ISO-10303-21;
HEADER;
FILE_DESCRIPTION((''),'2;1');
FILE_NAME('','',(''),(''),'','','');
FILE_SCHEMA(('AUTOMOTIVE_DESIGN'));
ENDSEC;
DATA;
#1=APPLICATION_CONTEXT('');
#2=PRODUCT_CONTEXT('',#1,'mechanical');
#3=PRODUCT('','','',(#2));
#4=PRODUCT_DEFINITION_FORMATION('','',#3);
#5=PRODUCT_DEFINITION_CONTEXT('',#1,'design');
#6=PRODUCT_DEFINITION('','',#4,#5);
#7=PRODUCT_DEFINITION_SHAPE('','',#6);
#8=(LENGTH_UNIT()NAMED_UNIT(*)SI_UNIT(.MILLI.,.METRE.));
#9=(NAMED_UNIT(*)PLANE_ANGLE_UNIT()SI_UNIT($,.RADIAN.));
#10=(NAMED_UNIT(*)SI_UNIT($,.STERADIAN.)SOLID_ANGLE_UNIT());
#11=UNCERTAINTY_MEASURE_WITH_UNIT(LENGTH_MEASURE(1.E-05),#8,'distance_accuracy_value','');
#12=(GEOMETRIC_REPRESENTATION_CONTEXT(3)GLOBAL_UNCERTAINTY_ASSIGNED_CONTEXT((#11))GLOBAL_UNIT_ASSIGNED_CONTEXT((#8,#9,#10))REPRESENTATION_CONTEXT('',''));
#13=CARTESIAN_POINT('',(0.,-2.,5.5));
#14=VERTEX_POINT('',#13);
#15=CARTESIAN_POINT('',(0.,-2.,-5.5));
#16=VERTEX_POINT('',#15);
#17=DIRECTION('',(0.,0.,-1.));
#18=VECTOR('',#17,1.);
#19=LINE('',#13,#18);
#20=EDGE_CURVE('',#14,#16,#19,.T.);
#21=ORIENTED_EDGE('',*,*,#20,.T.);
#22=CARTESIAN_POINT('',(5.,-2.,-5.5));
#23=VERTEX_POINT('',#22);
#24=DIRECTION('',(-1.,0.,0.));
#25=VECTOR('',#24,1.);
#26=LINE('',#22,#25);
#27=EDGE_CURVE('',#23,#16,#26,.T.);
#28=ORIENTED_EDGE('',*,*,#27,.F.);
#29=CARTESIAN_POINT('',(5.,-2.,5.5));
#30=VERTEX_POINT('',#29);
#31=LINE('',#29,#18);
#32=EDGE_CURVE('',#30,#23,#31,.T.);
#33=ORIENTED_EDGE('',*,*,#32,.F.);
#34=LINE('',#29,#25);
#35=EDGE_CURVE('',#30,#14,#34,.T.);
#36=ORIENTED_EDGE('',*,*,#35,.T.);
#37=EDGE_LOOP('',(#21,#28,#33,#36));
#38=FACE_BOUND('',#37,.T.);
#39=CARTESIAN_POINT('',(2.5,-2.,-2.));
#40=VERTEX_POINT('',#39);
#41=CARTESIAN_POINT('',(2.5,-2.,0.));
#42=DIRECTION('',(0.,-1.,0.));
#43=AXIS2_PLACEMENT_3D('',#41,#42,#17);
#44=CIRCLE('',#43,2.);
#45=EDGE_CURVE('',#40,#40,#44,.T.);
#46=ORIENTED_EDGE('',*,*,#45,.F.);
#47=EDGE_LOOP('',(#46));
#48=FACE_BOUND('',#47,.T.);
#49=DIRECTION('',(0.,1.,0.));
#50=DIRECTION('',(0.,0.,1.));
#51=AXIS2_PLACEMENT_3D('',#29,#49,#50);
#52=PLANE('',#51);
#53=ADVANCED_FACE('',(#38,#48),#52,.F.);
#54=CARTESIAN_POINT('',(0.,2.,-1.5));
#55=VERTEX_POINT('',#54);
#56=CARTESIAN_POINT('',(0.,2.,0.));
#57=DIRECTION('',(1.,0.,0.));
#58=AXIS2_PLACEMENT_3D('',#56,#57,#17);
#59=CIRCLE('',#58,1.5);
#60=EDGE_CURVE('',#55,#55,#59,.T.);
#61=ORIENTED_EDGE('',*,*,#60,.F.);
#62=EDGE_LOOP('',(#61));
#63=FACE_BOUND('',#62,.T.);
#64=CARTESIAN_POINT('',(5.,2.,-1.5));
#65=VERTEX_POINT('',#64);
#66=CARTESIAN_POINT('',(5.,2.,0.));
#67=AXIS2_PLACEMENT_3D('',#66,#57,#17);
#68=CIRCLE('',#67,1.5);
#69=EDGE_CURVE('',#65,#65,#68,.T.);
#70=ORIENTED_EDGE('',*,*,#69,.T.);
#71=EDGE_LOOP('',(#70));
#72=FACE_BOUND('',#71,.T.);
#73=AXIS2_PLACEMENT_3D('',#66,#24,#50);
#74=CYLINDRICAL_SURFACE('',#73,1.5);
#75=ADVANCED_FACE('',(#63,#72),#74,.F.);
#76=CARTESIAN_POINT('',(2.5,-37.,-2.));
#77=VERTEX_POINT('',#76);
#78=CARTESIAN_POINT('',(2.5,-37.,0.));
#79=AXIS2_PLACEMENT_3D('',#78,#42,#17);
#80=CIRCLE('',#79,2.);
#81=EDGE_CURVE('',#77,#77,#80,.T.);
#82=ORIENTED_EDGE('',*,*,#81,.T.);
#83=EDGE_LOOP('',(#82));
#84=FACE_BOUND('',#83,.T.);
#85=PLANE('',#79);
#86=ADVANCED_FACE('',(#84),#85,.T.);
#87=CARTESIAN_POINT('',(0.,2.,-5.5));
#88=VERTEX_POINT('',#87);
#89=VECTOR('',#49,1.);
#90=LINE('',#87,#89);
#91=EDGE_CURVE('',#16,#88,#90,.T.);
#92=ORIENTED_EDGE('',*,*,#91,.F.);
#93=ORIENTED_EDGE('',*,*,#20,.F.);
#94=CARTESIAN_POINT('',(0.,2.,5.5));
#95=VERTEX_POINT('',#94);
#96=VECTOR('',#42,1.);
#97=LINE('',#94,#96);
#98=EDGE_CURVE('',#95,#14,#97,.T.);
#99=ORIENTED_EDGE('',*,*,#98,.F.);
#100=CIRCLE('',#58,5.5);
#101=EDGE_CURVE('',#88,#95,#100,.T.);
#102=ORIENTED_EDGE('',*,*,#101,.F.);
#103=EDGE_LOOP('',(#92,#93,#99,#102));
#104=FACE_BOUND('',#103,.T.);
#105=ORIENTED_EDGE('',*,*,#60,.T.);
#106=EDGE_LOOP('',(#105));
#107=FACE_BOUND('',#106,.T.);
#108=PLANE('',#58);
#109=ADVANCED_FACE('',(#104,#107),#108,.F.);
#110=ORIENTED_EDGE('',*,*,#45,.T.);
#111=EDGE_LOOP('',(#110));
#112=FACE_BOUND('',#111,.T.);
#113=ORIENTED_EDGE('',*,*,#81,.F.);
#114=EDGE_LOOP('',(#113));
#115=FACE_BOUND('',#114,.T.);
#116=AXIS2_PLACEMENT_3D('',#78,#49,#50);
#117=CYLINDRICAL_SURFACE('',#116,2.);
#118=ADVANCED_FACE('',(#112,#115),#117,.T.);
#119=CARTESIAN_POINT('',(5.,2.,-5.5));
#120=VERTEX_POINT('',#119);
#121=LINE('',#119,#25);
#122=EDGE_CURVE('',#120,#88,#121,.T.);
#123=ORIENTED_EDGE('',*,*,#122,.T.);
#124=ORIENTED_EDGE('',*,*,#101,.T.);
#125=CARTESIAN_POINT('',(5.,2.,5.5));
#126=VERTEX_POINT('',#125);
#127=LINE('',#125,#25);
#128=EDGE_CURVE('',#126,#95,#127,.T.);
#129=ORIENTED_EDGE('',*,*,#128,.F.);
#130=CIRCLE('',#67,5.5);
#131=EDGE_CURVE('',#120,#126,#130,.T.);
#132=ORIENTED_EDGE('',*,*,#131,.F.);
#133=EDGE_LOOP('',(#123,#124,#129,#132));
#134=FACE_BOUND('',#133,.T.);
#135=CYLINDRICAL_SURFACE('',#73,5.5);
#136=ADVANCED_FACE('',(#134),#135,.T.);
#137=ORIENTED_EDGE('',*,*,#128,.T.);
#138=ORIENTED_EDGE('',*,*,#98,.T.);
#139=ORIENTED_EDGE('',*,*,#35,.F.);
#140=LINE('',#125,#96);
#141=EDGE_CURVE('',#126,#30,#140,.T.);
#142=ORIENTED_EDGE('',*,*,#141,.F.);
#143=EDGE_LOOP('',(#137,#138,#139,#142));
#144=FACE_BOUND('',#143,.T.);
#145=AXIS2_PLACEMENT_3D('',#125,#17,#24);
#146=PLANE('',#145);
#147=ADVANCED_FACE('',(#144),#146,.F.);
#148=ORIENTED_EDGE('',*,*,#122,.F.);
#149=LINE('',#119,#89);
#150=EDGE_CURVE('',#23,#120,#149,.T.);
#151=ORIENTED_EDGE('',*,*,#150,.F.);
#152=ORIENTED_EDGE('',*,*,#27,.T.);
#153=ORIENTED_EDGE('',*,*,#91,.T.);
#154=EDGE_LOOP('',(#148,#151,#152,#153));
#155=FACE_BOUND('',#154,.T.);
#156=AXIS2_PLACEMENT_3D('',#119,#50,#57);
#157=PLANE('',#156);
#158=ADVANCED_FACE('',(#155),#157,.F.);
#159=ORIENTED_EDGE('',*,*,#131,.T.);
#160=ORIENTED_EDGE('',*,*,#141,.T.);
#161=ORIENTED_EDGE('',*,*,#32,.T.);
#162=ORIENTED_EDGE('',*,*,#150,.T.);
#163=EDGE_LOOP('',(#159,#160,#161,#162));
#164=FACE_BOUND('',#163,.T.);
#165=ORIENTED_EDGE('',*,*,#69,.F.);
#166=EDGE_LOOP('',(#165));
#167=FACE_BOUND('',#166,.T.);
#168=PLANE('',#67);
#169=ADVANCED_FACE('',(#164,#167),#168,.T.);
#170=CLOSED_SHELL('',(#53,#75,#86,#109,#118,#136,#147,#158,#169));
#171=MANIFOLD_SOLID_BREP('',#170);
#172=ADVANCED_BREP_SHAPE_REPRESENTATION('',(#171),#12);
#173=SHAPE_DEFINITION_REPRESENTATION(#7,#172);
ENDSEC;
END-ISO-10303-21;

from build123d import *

# Parameters (mm, degrees)
SKETCH1_R           = 1.5
BOSS_EXTRUDE1_DEPTH = 5
SKETCH2_R           = 2
BOSS_EXTRUDE2_DEPTH = 35


with BuildPart() as part:
    # Sketch1 → Boss-Extrude1 (new body)
    with BuildSketch(Plane(origin=(0, 0, 0), x_dir=(0, 0, -1), z_dir=(1, 0, 0))):
        with BuildLine():
            Line((-5.5, 2), (-5.5, -2))
            Line((-5.5, -2), (5.5, -2))
            Line((5.5, -2), (5.5, 2))
            ThreePointArc((5.5, 2), (0, 7.5), (-5.5, 2))
        make_face()
        with Locations((0, 2)):
            Circle(SKETCH1_R, mode=Mode.SUBTRACT)
    extrude(amount=BOSS_EXTRUDE1_DEPTH)

    # Sketch2 → Boss-Extrude2 (add)
    with BuildSketch(Plane.XZ.offset(2)):
        with Locations(Location((2.5, 0, 0), (0, 0, 270))):
            Circle(SKETCH2_R)
    extrude(amount=BOSS_EXTRUDE2_DEPTH)


solid = part.part
